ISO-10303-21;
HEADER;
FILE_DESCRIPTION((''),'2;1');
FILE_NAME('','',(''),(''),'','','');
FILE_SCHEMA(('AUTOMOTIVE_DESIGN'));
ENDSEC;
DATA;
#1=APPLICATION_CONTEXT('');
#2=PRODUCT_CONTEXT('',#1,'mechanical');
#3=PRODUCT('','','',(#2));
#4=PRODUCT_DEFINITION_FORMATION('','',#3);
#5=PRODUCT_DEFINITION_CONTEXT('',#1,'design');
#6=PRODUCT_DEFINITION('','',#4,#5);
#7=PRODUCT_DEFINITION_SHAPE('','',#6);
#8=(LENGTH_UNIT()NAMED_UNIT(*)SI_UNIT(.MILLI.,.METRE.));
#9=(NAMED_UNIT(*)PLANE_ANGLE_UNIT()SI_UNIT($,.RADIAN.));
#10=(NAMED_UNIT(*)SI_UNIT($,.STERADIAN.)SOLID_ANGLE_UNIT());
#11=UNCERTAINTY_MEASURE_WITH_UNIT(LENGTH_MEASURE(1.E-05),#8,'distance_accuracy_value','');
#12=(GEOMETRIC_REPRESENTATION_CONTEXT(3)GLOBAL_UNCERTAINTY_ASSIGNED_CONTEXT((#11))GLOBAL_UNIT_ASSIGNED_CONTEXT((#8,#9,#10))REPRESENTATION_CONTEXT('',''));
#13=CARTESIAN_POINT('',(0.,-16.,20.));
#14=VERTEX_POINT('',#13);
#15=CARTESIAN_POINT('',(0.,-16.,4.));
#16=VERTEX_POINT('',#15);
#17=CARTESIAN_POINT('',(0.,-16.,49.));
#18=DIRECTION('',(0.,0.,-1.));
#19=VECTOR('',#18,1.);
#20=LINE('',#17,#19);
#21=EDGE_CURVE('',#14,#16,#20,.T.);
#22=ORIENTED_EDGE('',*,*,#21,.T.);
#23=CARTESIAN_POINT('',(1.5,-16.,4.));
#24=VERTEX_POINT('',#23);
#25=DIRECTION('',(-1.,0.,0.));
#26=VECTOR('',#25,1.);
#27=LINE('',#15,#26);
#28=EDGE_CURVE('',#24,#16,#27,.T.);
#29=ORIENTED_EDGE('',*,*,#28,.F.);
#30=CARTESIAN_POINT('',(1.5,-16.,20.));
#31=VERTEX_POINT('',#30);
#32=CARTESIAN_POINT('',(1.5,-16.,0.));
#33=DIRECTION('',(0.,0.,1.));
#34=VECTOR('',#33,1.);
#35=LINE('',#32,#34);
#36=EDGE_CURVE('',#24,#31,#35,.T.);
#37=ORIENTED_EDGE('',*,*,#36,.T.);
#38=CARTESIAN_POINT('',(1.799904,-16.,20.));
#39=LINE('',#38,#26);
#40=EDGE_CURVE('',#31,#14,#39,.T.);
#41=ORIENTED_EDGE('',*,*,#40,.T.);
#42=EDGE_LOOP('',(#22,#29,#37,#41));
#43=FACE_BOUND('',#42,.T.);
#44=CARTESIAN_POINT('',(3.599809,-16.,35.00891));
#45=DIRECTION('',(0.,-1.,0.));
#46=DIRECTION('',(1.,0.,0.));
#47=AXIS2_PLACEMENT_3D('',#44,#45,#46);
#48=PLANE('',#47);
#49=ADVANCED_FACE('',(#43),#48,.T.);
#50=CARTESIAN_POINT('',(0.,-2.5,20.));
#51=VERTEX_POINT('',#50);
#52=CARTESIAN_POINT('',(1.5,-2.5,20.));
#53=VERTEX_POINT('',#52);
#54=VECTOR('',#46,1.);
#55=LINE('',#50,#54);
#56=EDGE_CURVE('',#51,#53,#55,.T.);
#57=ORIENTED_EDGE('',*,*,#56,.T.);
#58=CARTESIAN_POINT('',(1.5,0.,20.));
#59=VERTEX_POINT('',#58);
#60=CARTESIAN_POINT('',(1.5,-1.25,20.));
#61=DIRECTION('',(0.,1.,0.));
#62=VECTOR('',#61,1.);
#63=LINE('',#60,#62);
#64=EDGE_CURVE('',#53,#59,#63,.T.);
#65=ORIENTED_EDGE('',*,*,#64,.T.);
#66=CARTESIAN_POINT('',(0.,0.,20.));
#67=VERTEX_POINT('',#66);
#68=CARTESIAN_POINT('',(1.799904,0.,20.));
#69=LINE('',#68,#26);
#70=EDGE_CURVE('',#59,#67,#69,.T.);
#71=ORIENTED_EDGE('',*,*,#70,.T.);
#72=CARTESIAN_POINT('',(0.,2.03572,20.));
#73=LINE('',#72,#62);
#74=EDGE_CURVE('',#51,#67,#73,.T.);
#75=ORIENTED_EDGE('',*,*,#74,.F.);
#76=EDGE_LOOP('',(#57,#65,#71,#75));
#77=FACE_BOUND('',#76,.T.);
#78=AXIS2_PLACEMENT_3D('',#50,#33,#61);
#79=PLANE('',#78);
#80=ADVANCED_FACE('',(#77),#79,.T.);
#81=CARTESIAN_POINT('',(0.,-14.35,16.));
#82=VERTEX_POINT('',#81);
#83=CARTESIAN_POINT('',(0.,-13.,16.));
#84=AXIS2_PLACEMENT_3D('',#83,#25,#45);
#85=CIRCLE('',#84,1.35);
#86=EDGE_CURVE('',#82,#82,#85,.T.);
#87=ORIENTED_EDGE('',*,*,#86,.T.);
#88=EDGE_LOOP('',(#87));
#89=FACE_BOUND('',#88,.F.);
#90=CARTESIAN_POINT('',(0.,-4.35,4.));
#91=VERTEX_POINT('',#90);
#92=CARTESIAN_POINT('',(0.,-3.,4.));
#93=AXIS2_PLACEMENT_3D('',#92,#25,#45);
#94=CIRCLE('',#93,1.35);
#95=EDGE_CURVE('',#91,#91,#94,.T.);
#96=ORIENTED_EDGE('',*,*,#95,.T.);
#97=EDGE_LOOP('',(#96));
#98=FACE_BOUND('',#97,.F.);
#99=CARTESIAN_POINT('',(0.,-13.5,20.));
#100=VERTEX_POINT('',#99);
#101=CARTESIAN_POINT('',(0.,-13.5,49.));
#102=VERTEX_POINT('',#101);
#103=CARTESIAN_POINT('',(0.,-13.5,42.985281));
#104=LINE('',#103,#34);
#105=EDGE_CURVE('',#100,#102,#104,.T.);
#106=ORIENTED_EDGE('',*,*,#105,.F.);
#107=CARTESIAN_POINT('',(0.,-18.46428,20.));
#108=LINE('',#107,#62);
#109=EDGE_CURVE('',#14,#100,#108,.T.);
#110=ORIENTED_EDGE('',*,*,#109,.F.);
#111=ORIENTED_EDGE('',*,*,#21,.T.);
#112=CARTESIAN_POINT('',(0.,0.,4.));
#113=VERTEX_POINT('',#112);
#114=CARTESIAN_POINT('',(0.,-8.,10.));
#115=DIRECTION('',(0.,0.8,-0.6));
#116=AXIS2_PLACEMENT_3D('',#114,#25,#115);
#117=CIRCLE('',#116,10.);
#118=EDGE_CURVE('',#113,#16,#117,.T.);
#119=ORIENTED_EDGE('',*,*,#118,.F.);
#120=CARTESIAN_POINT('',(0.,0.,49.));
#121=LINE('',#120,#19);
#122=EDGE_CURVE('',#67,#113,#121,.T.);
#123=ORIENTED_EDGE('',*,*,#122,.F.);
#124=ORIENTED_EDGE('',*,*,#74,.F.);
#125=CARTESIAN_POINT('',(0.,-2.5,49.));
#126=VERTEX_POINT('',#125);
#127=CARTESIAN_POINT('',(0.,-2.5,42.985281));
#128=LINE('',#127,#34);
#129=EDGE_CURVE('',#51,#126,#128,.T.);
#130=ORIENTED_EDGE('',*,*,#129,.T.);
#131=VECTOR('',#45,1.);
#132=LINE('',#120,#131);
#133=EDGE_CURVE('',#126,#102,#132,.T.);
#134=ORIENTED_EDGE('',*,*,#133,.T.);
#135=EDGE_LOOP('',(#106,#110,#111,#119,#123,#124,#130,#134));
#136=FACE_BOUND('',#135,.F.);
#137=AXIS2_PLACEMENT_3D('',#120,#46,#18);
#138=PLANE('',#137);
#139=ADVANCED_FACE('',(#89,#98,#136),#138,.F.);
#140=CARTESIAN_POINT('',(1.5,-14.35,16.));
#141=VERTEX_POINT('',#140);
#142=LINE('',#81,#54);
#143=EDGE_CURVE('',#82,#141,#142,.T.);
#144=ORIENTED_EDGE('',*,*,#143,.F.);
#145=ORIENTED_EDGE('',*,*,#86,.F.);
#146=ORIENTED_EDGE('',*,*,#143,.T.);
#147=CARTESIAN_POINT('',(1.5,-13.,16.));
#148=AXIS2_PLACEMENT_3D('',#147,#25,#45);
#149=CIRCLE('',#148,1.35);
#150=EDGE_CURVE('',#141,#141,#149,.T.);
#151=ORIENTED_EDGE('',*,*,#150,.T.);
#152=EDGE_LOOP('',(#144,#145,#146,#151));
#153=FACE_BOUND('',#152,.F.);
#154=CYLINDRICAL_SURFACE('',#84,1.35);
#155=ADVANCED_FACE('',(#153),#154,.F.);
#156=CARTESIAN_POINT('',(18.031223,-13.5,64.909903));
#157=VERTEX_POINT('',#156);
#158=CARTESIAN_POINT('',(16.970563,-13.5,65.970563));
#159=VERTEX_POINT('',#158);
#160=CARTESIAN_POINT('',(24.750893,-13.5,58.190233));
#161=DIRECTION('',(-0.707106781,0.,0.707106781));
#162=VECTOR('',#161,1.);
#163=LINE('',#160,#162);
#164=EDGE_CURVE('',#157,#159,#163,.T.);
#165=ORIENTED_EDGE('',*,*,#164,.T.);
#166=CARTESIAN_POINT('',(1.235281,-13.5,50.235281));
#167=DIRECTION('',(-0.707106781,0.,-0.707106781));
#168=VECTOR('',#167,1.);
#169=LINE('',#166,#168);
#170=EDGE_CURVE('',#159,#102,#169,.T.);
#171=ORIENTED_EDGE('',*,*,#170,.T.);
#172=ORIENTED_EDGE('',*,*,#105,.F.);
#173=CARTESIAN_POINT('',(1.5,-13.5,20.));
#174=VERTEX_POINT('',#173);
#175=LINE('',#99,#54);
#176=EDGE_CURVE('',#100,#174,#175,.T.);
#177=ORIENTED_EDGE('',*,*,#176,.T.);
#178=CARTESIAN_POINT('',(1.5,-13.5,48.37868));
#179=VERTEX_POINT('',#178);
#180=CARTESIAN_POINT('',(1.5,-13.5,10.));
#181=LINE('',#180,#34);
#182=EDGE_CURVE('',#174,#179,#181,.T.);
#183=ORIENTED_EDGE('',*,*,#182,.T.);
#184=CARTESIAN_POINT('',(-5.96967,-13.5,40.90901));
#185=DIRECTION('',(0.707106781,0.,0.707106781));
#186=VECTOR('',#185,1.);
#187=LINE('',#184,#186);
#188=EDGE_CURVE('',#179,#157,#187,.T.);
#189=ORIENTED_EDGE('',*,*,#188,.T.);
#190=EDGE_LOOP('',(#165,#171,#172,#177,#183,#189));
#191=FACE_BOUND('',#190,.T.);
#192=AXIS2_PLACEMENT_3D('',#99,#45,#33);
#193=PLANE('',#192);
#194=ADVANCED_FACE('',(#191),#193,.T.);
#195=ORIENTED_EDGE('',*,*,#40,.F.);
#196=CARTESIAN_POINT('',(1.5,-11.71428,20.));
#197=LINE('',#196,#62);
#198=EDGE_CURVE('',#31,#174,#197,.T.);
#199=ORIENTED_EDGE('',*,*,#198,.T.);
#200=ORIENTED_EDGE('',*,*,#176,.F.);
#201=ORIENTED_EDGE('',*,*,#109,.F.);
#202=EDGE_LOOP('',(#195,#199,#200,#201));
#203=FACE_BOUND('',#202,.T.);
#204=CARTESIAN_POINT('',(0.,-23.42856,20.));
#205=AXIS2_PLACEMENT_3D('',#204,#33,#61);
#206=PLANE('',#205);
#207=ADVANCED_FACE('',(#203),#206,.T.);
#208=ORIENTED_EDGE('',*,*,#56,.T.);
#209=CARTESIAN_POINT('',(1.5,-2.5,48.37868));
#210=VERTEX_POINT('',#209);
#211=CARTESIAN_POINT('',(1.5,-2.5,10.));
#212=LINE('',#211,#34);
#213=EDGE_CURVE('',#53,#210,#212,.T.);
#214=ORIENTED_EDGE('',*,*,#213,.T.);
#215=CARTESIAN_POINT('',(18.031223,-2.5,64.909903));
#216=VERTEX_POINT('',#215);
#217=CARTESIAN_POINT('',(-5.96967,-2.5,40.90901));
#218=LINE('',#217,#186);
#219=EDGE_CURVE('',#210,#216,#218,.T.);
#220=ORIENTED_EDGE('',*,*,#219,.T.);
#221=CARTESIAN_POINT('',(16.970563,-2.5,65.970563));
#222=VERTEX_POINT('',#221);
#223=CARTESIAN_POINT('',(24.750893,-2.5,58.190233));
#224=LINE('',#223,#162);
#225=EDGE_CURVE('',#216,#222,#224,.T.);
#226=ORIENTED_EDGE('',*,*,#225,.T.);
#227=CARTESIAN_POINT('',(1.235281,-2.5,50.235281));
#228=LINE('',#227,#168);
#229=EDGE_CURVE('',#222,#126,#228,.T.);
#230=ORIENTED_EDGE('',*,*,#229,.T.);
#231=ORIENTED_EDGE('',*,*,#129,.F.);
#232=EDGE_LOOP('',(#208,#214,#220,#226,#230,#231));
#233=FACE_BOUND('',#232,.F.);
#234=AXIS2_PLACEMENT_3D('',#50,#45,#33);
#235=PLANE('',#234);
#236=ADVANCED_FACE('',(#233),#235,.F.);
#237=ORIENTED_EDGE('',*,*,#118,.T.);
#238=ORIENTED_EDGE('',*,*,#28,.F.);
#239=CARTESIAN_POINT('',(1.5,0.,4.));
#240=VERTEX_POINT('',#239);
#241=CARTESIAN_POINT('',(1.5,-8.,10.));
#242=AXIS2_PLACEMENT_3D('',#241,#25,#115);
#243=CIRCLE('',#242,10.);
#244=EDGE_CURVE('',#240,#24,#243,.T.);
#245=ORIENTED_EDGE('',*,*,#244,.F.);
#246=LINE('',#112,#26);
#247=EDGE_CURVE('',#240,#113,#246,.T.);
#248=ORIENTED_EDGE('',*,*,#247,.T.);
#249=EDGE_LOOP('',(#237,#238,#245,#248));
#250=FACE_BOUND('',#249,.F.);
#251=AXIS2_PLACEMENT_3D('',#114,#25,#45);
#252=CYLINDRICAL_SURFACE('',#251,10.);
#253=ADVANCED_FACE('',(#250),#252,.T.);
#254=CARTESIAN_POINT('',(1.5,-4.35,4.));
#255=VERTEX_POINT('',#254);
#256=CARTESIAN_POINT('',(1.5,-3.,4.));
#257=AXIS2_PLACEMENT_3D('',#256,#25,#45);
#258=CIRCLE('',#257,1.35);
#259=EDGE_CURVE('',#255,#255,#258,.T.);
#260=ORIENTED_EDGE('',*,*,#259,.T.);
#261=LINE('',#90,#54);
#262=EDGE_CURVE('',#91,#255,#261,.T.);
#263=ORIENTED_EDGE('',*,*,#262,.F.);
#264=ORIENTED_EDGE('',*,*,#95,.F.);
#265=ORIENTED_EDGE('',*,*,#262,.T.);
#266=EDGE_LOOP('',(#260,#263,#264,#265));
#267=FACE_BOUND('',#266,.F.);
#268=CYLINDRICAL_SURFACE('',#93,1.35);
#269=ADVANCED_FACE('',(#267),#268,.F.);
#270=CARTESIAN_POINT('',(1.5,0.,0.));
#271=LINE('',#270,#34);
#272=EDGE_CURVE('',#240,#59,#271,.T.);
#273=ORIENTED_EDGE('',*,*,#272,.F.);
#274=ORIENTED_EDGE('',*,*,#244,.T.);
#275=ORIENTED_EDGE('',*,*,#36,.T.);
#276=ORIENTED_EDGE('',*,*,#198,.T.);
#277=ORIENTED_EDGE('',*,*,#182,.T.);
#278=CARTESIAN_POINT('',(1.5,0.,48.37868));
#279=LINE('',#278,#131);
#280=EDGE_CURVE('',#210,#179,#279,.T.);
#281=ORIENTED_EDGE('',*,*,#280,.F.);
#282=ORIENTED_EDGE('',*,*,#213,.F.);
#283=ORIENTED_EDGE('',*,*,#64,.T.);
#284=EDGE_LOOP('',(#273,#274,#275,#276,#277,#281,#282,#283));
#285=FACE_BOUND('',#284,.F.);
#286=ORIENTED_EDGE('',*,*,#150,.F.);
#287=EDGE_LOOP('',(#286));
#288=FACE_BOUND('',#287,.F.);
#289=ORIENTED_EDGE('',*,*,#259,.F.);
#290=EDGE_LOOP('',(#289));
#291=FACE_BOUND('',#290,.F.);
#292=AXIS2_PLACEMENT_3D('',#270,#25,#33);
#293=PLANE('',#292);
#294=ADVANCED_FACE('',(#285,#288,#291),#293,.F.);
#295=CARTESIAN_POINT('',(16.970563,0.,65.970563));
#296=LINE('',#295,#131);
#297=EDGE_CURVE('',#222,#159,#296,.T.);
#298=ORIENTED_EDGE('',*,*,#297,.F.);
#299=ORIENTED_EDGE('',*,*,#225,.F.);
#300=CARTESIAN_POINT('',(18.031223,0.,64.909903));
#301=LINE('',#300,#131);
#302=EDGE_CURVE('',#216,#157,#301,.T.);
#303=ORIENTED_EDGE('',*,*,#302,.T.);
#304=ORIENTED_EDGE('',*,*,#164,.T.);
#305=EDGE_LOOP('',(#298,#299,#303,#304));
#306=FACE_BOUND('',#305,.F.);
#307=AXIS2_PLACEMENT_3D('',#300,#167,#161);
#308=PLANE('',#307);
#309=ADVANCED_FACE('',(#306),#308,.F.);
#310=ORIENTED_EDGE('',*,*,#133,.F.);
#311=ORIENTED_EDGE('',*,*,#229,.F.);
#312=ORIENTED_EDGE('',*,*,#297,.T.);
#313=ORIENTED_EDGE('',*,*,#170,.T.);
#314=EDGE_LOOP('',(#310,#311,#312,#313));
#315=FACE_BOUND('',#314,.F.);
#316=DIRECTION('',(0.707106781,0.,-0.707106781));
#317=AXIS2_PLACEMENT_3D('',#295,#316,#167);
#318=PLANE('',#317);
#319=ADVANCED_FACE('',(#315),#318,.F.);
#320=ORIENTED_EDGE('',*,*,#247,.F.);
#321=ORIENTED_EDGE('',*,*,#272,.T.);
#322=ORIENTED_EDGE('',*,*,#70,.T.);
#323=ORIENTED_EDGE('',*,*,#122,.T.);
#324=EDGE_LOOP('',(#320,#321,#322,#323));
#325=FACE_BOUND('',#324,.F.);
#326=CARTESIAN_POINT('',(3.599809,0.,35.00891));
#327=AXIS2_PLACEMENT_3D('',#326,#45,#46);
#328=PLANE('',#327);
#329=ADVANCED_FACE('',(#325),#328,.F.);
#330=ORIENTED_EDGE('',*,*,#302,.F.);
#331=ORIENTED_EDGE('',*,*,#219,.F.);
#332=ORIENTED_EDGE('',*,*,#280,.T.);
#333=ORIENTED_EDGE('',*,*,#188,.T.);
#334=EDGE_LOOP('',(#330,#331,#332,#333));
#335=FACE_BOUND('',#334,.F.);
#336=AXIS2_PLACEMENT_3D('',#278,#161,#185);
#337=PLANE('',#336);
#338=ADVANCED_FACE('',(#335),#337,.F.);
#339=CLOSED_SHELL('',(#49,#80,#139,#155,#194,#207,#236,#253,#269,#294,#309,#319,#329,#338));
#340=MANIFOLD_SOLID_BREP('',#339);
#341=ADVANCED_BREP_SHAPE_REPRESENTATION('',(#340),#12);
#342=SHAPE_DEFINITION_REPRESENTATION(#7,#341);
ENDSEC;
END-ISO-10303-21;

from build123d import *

# Parameters (mm, degrees)
F1_DEPTH = 16
F2_W     = 9.0714404329
F2_H     = 45.9705627485
F2_W_2   = 9.9285595671
F3_DEPTH = 25
F5_DEPTH = 18.0322229203
F6_R     = 1.35
F7_DEPTH = 18.0322229203
F8_DEPTH = 18.0322229203


with BuildPart() as f1:
    # F0 (on Front) → F1 (new body)
    with BuildSketch(Plane.XZ):
        Polygon((0, 49), (0, 0), (1.5, 0), (1.5, 48.3786796564), (18.0312229203, 64.9099025767), (16.9705627485, 65.9705627485), align=None)
    extrude(amount=F1_DEPTH)

    # F2 (on Right) → F3 (cut)
    with BuildSketch(Plane.YZ):
        with Locations((2.0357202164, 42.9852813742)):
            Rectangle(F2_W, F2_H)
        with Locations((-18.4642797836, 42.9852813742)):
            Rectangle(F2_W_2, F2_H)
    extrude(amount=F3_DEPTH, mode=Mode.SUBTRACT)

    # F4 (on face) → F5 (cut, through all)
    with BuildSketch(Plane(origin=(0, 0, 0), x_dir=(0, -1, 0), z_dir=(-1, 0, 0))):
        with BuildLine():
            ThreePointArc((18, 10), (8, 0), (-2, 10))
            Line((-2, 10), (-2, -2.5))
            Line((-2, -2.5), (18, -2.5))
            Line((18, -2.5), (18, 10))
        make_face()
    extrude(amount=-F5_DEPTH, mode=Mode.SUBTRACT)

    # F6 (on face) → F7 (cut, through all)
    with BuildSketch(Plane(origin=(0, 0, 0), x_dir=(0, -1, 0), z_dir=(-1, 0, 0))):
        with Locations((13, 16)):
            Circle(F6_R)
        with Locations((3, 4)):
            Circle(F6_R)
    extrude(amount=-F7_DEPTH, mode=Mode.SUBTRACT)

    # F6 (on face) → F8 (cut, through all)
    with BuildSketch(Plane(origin=(0, 0, 0), x_dir=(0, -1, 0), z_dir=(-1, 0, 0))):
        with Locations((13, 16)):
            Circle(F6_R)
        with Locations((3, 4)):
            Circle(F6_R)
    extrude(amount=-F8_DEPTH, mode=Mode.SUBTRACT)


solid = f1.part
